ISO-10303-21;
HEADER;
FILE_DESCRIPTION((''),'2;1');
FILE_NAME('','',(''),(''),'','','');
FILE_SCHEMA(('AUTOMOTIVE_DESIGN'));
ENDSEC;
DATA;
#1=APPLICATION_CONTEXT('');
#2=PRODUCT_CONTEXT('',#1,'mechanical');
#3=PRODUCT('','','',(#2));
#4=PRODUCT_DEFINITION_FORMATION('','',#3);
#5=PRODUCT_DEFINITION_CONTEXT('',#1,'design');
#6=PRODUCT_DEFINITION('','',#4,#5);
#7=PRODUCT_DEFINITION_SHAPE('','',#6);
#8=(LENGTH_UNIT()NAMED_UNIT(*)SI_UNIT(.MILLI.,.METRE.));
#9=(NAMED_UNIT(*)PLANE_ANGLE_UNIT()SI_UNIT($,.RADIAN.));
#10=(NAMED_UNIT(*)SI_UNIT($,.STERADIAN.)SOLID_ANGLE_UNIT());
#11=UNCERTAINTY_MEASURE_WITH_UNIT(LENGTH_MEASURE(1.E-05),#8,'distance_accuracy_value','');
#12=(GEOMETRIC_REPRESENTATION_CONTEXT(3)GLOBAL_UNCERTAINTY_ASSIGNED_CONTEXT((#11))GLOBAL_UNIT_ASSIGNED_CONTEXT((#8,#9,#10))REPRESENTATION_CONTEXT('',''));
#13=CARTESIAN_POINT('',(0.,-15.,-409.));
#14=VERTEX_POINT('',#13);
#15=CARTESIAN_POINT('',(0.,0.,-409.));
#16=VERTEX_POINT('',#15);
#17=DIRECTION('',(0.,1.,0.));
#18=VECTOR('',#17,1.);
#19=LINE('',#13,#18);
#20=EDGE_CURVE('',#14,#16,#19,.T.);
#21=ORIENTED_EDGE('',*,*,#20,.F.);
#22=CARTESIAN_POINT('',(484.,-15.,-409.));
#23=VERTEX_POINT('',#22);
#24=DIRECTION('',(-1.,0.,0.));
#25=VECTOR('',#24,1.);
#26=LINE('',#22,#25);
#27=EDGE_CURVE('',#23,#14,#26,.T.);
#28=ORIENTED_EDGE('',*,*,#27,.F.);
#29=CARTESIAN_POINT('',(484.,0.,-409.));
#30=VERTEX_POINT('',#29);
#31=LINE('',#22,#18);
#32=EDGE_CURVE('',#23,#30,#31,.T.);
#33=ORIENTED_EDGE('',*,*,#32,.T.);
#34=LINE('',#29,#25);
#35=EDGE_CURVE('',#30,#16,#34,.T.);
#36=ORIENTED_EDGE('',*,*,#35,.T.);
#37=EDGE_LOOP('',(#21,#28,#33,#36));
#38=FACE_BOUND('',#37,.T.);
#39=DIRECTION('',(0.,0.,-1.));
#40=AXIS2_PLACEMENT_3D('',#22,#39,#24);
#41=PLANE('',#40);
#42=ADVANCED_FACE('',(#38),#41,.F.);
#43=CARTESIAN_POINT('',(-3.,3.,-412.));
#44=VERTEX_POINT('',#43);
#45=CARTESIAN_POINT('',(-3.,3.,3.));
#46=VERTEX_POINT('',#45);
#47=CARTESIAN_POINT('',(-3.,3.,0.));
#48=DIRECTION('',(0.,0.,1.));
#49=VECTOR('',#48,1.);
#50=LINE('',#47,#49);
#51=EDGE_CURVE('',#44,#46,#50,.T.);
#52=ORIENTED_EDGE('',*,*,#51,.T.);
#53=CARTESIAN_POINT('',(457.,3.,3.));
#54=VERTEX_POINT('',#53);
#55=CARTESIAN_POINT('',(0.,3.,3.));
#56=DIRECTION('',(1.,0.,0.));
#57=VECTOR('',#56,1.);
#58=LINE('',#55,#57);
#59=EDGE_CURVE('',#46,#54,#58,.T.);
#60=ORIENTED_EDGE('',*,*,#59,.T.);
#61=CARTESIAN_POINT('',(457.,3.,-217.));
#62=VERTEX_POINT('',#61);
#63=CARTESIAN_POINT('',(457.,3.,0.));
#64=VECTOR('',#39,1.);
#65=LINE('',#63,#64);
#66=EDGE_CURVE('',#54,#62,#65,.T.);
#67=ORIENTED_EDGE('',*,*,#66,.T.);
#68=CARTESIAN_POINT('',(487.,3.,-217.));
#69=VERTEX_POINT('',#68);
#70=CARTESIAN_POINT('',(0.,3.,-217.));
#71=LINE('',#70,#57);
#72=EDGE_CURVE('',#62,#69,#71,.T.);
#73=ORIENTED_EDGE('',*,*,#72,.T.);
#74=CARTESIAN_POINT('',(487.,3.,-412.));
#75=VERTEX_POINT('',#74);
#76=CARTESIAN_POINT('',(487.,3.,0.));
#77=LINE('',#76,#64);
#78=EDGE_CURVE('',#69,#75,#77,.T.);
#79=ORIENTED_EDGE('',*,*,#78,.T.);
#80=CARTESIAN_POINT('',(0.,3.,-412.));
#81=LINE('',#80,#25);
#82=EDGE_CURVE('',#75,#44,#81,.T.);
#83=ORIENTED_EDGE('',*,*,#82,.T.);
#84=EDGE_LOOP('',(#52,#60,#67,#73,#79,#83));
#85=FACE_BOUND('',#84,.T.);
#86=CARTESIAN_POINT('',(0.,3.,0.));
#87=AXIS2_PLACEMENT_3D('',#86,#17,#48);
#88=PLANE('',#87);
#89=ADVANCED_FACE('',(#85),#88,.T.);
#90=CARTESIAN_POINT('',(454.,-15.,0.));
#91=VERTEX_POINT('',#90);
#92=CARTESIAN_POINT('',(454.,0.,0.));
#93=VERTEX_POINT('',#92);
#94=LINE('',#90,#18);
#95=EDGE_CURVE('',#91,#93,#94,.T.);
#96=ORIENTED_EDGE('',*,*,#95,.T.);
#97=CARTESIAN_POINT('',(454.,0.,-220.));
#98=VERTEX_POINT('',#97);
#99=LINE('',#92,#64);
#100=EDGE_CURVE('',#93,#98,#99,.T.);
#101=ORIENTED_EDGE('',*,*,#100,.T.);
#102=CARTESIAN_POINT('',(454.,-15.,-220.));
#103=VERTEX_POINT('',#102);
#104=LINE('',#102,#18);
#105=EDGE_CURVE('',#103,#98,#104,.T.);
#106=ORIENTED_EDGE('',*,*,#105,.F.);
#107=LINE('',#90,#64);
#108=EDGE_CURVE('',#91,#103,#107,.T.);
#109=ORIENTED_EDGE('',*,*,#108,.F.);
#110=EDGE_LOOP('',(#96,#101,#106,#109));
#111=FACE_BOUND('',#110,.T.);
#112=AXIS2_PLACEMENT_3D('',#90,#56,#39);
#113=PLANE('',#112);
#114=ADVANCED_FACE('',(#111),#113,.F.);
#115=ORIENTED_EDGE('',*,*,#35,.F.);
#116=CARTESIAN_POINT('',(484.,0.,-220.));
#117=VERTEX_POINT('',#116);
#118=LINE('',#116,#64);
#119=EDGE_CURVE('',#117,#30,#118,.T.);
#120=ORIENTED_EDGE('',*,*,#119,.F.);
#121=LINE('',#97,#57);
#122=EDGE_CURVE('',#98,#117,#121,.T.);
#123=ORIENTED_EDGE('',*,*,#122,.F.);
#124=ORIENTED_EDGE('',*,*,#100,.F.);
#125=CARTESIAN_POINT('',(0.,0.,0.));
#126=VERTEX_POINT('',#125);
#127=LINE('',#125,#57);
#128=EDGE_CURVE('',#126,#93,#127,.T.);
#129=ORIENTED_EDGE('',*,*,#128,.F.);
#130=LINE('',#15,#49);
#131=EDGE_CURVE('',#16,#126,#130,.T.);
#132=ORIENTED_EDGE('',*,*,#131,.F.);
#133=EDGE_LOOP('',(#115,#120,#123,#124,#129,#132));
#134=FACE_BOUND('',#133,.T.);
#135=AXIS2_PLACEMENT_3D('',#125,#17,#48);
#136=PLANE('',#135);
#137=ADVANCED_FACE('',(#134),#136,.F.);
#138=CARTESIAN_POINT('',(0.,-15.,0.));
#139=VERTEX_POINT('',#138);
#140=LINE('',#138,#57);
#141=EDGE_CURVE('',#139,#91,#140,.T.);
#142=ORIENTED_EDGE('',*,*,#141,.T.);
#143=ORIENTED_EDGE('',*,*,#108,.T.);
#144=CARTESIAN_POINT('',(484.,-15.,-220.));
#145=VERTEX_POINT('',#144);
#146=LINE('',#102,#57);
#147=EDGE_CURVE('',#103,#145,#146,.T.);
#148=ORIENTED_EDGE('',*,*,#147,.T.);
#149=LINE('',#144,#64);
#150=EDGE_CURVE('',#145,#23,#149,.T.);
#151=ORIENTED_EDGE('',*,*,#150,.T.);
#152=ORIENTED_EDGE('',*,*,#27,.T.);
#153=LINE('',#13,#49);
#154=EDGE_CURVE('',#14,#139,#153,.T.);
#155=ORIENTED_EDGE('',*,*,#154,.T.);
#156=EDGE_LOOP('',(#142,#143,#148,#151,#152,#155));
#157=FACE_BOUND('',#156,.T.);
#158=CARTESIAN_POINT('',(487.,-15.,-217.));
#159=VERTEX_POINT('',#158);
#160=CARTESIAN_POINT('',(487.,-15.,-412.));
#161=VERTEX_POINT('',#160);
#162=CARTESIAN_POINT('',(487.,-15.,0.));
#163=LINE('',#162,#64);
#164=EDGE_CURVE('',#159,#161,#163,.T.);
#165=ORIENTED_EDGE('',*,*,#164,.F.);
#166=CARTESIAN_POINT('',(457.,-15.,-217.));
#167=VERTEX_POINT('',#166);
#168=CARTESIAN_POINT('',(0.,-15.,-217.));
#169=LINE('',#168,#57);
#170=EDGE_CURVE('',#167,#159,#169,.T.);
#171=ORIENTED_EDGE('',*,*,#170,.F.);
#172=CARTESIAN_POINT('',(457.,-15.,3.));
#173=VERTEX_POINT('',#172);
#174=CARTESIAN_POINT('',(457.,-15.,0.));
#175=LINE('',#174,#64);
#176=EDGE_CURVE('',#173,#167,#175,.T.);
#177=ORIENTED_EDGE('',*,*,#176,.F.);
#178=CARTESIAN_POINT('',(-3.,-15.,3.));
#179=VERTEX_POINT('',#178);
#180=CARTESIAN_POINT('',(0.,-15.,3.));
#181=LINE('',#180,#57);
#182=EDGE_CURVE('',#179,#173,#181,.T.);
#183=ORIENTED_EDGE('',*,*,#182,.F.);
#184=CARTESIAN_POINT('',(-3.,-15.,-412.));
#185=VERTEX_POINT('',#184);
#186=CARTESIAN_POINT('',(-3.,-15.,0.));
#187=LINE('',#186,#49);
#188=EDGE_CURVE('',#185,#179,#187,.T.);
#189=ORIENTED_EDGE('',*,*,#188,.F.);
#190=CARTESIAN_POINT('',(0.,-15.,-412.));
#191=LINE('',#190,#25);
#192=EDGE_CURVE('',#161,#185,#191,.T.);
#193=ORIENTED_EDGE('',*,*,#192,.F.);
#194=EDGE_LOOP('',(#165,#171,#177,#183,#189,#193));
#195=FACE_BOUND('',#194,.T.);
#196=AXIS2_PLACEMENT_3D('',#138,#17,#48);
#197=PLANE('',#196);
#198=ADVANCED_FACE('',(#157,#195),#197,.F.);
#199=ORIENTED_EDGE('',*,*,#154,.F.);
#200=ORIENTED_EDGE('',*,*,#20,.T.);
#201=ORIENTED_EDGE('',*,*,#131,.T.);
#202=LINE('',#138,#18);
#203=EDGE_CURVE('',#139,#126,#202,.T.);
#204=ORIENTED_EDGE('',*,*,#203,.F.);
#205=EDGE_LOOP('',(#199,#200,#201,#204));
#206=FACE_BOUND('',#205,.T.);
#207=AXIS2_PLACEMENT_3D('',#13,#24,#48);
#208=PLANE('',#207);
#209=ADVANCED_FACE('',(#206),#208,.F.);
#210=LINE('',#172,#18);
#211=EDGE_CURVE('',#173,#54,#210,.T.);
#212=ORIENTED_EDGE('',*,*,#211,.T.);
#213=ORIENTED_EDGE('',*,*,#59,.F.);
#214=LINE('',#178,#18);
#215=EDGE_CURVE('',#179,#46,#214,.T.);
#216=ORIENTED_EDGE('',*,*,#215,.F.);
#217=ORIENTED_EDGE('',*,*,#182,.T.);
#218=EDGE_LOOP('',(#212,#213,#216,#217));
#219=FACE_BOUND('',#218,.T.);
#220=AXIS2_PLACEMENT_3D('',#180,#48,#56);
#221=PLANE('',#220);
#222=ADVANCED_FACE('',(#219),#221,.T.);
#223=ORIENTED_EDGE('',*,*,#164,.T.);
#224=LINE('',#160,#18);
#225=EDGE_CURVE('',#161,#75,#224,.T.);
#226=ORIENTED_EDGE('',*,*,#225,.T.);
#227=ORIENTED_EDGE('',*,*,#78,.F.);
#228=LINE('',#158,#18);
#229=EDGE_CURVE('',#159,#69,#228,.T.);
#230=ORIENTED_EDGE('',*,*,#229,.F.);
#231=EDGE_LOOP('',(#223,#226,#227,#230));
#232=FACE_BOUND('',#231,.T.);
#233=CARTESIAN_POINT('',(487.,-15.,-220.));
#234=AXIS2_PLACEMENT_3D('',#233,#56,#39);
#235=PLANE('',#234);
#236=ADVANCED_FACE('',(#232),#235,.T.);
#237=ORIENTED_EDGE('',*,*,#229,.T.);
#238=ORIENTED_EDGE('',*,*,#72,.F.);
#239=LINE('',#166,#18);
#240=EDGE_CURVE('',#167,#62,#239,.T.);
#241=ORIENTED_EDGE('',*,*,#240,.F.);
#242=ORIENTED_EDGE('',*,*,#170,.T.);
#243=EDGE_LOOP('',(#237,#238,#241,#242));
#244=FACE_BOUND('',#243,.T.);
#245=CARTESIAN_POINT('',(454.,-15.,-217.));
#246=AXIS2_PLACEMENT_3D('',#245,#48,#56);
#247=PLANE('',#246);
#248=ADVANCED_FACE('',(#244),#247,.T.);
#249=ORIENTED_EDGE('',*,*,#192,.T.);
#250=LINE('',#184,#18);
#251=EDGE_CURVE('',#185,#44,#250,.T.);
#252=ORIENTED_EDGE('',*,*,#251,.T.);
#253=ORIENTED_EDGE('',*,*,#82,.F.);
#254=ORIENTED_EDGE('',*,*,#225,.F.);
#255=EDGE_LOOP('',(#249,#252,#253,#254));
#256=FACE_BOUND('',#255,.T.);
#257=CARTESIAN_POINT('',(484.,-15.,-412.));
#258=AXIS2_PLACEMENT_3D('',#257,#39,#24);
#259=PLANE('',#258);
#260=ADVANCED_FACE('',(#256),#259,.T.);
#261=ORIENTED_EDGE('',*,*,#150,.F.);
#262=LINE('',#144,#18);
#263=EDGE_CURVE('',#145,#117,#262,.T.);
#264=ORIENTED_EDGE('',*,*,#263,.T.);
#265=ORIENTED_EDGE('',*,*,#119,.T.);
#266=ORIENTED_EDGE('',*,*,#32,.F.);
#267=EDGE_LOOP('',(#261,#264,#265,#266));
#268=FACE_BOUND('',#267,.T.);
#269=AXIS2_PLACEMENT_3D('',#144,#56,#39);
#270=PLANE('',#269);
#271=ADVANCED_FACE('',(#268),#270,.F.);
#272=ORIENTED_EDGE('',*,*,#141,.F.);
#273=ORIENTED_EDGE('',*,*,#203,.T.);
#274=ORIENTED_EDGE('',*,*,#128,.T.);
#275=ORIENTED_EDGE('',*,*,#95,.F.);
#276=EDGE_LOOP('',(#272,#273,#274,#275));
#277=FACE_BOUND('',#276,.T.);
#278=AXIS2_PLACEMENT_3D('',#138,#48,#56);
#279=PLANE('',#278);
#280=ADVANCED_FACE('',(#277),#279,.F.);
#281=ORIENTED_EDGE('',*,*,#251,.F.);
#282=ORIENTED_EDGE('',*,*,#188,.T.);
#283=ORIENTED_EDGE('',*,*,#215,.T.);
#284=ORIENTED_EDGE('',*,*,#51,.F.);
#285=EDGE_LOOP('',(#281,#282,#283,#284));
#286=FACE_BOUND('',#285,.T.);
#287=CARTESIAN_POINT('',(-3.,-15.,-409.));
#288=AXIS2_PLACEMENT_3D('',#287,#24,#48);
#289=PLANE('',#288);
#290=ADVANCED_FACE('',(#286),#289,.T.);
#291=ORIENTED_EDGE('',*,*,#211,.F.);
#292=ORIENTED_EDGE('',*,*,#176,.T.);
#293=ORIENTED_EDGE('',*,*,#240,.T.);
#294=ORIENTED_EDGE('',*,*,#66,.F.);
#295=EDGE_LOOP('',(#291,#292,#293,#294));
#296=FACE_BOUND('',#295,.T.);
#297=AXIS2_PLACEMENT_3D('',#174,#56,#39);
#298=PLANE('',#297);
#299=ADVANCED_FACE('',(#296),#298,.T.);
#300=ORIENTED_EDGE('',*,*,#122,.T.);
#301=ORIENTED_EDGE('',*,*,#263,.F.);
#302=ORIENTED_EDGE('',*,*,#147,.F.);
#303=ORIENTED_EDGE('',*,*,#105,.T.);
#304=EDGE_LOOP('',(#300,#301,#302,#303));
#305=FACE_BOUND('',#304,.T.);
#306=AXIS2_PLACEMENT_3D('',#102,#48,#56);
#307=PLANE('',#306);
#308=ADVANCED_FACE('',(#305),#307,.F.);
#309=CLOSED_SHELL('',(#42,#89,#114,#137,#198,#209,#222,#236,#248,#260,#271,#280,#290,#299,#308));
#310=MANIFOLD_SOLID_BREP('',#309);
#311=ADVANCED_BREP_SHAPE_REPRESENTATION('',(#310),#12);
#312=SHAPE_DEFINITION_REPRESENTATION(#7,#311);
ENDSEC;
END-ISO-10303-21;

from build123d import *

# Parameters (mm, degrees)
DODANIE_WYCI_GNI_CIE1_DEPTH = 15
SKORUPA1_T                  = 3


with BuildPart() as part:
    # Szkic1 → Dodanie-wyciągnięcie1 (new body)
    with BuildSketch(Plane(origin=(0, 0, 0), x_dir=(1, 0, 0), z_dir=(0, 1, 0))):
        Polygon((0, 0), (454, 0), (454, 220), (484, 220), (484, 409), (0, 409), align=None)
    extrude(amount=-DODANIE_WYCI_GNI_CIE1_DEPTH)

    # Skorupa1
    skorupa1_openings = [part.faces().sort_by_distance(p)[0] for p in [
        (234.170613934, -15, -207.75936997),
    ]]
    offset(amount=SKORUPA1_T, openings=skorupa1_openings, kind=Kind.INTERSECTION)


solid = part.part
